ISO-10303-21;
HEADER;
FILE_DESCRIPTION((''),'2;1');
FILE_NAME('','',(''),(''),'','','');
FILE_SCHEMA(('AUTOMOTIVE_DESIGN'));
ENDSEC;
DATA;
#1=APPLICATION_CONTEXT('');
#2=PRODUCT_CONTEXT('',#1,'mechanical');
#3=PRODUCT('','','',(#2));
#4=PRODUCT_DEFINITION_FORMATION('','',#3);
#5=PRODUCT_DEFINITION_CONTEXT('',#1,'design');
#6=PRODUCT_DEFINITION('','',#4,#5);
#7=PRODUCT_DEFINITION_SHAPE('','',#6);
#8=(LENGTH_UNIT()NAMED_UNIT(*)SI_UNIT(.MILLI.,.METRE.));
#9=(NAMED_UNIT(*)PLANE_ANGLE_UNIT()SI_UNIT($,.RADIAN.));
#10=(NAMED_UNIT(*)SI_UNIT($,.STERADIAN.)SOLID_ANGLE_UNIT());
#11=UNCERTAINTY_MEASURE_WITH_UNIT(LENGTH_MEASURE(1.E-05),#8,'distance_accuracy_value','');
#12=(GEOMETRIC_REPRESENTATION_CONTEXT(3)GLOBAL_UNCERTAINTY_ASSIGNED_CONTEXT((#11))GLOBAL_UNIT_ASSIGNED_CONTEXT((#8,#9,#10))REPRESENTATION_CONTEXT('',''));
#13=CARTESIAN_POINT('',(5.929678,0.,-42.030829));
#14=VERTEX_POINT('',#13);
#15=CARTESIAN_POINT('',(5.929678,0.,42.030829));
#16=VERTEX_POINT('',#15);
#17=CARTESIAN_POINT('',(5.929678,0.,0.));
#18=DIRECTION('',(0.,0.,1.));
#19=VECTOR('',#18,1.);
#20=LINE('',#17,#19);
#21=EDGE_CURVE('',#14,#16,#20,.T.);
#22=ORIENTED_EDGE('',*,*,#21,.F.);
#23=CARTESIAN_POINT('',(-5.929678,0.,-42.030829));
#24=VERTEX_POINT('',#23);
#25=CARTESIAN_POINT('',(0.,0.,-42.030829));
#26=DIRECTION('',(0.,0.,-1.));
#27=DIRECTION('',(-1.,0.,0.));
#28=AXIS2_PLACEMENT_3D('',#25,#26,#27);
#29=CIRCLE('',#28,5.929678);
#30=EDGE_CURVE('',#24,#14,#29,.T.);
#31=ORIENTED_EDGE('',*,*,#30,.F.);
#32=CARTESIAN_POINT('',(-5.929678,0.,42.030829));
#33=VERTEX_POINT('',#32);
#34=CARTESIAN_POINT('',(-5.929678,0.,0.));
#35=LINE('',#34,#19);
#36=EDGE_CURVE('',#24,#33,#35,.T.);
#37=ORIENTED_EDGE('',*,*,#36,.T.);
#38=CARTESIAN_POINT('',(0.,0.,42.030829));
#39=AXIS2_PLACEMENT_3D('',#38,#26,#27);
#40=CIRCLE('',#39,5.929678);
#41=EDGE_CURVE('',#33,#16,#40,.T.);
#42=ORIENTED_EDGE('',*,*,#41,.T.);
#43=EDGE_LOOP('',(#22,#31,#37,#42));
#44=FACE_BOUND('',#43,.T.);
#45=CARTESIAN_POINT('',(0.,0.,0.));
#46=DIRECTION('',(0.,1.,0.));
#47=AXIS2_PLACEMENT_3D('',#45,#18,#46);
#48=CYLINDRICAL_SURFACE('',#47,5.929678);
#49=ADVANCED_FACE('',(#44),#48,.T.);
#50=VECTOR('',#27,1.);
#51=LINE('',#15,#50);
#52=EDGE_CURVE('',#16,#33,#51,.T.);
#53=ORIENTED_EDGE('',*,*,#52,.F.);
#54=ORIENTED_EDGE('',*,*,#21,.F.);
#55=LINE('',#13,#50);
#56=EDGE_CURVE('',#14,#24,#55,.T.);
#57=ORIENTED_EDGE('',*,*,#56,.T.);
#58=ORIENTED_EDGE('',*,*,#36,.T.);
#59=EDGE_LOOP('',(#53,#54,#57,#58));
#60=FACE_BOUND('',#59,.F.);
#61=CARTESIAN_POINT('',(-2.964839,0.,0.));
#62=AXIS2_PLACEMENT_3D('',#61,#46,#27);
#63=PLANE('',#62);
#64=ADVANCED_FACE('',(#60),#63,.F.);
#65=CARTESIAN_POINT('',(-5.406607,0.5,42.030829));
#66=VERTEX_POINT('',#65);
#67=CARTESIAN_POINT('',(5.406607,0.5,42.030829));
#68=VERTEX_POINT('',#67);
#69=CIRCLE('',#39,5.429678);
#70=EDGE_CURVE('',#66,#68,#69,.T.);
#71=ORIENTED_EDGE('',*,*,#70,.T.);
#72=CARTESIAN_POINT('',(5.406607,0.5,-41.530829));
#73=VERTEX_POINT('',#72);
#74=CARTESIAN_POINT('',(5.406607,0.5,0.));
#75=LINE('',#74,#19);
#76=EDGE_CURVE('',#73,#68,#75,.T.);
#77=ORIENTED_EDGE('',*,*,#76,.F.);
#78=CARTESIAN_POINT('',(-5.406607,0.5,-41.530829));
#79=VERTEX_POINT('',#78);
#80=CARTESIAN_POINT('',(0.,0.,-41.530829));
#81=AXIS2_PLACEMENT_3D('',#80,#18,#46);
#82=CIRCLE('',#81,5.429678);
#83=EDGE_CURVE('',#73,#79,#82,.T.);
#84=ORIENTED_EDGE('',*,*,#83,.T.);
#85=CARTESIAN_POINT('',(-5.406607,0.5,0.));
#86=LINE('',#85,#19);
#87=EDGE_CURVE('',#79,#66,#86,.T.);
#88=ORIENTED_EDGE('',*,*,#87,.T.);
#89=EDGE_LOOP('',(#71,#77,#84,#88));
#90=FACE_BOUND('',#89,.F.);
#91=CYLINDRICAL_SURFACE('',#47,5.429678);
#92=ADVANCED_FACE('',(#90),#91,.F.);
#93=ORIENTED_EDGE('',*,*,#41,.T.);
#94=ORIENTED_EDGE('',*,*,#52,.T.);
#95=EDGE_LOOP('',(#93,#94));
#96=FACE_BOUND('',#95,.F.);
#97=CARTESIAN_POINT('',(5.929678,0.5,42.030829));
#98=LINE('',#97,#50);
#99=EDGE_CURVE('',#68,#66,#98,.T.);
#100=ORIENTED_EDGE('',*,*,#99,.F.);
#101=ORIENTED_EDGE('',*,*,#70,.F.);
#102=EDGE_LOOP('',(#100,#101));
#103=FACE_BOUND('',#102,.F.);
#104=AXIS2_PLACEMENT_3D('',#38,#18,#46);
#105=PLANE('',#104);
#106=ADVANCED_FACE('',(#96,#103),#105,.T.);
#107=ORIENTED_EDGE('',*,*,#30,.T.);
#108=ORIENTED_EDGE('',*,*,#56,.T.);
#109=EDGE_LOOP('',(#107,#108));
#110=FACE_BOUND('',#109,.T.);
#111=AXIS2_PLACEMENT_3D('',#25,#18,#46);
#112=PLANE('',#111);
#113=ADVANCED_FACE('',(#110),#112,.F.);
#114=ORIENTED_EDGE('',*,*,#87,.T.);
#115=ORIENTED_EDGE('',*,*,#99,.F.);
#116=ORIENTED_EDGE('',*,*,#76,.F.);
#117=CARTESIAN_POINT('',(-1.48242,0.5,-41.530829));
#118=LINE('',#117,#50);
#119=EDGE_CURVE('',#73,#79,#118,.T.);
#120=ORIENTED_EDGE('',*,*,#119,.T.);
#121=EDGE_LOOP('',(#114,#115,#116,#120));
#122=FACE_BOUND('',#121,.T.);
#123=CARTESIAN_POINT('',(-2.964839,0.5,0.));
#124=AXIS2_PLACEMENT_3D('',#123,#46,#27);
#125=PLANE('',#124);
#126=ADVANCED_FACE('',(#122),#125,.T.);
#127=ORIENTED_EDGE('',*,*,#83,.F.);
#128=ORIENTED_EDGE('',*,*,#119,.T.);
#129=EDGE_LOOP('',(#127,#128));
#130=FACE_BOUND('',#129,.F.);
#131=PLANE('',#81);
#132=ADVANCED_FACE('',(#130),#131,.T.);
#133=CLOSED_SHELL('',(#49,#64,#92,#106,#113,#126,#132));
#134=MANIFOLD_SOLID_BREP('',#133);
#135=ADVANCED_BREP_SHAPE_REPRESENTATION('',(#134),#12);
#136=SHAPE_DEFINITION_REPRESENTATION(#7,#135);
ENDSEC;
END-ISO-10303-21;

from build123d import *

# Parameters (mm, degrees)
F0_W     = 5.929678
F0_H     = 84.061658
F1_ANGLE = 180
F2_T     = -0.5


with BuildPart() as f1:
    # F0 (on Right) → F1 (revolve, symmetric)
    with BuildSketch(Plane.YZ) as f1_sk:
        with Locations((2.964839, 0)):
            Rectangle(F0_W, F0_H)
    revolve(axis=Axis((0, 0, 0), (0, 0, -1)), revolution_arc=F1_ANGLE / 2)
    revolve(f1_sk.sketch, axis=Axis((0, 0, 0), (0, 0, 1)), revolution_arc=F1_ANGLE / 2)

    # F2
    f2_openings = [f1.faces().sort_by_distance(p)[0] for p in [
        (0, 2.516634, 42.030829),
    ]]
    offset(amount=F2_T, openings=f2_openings)


solid = f1.part
